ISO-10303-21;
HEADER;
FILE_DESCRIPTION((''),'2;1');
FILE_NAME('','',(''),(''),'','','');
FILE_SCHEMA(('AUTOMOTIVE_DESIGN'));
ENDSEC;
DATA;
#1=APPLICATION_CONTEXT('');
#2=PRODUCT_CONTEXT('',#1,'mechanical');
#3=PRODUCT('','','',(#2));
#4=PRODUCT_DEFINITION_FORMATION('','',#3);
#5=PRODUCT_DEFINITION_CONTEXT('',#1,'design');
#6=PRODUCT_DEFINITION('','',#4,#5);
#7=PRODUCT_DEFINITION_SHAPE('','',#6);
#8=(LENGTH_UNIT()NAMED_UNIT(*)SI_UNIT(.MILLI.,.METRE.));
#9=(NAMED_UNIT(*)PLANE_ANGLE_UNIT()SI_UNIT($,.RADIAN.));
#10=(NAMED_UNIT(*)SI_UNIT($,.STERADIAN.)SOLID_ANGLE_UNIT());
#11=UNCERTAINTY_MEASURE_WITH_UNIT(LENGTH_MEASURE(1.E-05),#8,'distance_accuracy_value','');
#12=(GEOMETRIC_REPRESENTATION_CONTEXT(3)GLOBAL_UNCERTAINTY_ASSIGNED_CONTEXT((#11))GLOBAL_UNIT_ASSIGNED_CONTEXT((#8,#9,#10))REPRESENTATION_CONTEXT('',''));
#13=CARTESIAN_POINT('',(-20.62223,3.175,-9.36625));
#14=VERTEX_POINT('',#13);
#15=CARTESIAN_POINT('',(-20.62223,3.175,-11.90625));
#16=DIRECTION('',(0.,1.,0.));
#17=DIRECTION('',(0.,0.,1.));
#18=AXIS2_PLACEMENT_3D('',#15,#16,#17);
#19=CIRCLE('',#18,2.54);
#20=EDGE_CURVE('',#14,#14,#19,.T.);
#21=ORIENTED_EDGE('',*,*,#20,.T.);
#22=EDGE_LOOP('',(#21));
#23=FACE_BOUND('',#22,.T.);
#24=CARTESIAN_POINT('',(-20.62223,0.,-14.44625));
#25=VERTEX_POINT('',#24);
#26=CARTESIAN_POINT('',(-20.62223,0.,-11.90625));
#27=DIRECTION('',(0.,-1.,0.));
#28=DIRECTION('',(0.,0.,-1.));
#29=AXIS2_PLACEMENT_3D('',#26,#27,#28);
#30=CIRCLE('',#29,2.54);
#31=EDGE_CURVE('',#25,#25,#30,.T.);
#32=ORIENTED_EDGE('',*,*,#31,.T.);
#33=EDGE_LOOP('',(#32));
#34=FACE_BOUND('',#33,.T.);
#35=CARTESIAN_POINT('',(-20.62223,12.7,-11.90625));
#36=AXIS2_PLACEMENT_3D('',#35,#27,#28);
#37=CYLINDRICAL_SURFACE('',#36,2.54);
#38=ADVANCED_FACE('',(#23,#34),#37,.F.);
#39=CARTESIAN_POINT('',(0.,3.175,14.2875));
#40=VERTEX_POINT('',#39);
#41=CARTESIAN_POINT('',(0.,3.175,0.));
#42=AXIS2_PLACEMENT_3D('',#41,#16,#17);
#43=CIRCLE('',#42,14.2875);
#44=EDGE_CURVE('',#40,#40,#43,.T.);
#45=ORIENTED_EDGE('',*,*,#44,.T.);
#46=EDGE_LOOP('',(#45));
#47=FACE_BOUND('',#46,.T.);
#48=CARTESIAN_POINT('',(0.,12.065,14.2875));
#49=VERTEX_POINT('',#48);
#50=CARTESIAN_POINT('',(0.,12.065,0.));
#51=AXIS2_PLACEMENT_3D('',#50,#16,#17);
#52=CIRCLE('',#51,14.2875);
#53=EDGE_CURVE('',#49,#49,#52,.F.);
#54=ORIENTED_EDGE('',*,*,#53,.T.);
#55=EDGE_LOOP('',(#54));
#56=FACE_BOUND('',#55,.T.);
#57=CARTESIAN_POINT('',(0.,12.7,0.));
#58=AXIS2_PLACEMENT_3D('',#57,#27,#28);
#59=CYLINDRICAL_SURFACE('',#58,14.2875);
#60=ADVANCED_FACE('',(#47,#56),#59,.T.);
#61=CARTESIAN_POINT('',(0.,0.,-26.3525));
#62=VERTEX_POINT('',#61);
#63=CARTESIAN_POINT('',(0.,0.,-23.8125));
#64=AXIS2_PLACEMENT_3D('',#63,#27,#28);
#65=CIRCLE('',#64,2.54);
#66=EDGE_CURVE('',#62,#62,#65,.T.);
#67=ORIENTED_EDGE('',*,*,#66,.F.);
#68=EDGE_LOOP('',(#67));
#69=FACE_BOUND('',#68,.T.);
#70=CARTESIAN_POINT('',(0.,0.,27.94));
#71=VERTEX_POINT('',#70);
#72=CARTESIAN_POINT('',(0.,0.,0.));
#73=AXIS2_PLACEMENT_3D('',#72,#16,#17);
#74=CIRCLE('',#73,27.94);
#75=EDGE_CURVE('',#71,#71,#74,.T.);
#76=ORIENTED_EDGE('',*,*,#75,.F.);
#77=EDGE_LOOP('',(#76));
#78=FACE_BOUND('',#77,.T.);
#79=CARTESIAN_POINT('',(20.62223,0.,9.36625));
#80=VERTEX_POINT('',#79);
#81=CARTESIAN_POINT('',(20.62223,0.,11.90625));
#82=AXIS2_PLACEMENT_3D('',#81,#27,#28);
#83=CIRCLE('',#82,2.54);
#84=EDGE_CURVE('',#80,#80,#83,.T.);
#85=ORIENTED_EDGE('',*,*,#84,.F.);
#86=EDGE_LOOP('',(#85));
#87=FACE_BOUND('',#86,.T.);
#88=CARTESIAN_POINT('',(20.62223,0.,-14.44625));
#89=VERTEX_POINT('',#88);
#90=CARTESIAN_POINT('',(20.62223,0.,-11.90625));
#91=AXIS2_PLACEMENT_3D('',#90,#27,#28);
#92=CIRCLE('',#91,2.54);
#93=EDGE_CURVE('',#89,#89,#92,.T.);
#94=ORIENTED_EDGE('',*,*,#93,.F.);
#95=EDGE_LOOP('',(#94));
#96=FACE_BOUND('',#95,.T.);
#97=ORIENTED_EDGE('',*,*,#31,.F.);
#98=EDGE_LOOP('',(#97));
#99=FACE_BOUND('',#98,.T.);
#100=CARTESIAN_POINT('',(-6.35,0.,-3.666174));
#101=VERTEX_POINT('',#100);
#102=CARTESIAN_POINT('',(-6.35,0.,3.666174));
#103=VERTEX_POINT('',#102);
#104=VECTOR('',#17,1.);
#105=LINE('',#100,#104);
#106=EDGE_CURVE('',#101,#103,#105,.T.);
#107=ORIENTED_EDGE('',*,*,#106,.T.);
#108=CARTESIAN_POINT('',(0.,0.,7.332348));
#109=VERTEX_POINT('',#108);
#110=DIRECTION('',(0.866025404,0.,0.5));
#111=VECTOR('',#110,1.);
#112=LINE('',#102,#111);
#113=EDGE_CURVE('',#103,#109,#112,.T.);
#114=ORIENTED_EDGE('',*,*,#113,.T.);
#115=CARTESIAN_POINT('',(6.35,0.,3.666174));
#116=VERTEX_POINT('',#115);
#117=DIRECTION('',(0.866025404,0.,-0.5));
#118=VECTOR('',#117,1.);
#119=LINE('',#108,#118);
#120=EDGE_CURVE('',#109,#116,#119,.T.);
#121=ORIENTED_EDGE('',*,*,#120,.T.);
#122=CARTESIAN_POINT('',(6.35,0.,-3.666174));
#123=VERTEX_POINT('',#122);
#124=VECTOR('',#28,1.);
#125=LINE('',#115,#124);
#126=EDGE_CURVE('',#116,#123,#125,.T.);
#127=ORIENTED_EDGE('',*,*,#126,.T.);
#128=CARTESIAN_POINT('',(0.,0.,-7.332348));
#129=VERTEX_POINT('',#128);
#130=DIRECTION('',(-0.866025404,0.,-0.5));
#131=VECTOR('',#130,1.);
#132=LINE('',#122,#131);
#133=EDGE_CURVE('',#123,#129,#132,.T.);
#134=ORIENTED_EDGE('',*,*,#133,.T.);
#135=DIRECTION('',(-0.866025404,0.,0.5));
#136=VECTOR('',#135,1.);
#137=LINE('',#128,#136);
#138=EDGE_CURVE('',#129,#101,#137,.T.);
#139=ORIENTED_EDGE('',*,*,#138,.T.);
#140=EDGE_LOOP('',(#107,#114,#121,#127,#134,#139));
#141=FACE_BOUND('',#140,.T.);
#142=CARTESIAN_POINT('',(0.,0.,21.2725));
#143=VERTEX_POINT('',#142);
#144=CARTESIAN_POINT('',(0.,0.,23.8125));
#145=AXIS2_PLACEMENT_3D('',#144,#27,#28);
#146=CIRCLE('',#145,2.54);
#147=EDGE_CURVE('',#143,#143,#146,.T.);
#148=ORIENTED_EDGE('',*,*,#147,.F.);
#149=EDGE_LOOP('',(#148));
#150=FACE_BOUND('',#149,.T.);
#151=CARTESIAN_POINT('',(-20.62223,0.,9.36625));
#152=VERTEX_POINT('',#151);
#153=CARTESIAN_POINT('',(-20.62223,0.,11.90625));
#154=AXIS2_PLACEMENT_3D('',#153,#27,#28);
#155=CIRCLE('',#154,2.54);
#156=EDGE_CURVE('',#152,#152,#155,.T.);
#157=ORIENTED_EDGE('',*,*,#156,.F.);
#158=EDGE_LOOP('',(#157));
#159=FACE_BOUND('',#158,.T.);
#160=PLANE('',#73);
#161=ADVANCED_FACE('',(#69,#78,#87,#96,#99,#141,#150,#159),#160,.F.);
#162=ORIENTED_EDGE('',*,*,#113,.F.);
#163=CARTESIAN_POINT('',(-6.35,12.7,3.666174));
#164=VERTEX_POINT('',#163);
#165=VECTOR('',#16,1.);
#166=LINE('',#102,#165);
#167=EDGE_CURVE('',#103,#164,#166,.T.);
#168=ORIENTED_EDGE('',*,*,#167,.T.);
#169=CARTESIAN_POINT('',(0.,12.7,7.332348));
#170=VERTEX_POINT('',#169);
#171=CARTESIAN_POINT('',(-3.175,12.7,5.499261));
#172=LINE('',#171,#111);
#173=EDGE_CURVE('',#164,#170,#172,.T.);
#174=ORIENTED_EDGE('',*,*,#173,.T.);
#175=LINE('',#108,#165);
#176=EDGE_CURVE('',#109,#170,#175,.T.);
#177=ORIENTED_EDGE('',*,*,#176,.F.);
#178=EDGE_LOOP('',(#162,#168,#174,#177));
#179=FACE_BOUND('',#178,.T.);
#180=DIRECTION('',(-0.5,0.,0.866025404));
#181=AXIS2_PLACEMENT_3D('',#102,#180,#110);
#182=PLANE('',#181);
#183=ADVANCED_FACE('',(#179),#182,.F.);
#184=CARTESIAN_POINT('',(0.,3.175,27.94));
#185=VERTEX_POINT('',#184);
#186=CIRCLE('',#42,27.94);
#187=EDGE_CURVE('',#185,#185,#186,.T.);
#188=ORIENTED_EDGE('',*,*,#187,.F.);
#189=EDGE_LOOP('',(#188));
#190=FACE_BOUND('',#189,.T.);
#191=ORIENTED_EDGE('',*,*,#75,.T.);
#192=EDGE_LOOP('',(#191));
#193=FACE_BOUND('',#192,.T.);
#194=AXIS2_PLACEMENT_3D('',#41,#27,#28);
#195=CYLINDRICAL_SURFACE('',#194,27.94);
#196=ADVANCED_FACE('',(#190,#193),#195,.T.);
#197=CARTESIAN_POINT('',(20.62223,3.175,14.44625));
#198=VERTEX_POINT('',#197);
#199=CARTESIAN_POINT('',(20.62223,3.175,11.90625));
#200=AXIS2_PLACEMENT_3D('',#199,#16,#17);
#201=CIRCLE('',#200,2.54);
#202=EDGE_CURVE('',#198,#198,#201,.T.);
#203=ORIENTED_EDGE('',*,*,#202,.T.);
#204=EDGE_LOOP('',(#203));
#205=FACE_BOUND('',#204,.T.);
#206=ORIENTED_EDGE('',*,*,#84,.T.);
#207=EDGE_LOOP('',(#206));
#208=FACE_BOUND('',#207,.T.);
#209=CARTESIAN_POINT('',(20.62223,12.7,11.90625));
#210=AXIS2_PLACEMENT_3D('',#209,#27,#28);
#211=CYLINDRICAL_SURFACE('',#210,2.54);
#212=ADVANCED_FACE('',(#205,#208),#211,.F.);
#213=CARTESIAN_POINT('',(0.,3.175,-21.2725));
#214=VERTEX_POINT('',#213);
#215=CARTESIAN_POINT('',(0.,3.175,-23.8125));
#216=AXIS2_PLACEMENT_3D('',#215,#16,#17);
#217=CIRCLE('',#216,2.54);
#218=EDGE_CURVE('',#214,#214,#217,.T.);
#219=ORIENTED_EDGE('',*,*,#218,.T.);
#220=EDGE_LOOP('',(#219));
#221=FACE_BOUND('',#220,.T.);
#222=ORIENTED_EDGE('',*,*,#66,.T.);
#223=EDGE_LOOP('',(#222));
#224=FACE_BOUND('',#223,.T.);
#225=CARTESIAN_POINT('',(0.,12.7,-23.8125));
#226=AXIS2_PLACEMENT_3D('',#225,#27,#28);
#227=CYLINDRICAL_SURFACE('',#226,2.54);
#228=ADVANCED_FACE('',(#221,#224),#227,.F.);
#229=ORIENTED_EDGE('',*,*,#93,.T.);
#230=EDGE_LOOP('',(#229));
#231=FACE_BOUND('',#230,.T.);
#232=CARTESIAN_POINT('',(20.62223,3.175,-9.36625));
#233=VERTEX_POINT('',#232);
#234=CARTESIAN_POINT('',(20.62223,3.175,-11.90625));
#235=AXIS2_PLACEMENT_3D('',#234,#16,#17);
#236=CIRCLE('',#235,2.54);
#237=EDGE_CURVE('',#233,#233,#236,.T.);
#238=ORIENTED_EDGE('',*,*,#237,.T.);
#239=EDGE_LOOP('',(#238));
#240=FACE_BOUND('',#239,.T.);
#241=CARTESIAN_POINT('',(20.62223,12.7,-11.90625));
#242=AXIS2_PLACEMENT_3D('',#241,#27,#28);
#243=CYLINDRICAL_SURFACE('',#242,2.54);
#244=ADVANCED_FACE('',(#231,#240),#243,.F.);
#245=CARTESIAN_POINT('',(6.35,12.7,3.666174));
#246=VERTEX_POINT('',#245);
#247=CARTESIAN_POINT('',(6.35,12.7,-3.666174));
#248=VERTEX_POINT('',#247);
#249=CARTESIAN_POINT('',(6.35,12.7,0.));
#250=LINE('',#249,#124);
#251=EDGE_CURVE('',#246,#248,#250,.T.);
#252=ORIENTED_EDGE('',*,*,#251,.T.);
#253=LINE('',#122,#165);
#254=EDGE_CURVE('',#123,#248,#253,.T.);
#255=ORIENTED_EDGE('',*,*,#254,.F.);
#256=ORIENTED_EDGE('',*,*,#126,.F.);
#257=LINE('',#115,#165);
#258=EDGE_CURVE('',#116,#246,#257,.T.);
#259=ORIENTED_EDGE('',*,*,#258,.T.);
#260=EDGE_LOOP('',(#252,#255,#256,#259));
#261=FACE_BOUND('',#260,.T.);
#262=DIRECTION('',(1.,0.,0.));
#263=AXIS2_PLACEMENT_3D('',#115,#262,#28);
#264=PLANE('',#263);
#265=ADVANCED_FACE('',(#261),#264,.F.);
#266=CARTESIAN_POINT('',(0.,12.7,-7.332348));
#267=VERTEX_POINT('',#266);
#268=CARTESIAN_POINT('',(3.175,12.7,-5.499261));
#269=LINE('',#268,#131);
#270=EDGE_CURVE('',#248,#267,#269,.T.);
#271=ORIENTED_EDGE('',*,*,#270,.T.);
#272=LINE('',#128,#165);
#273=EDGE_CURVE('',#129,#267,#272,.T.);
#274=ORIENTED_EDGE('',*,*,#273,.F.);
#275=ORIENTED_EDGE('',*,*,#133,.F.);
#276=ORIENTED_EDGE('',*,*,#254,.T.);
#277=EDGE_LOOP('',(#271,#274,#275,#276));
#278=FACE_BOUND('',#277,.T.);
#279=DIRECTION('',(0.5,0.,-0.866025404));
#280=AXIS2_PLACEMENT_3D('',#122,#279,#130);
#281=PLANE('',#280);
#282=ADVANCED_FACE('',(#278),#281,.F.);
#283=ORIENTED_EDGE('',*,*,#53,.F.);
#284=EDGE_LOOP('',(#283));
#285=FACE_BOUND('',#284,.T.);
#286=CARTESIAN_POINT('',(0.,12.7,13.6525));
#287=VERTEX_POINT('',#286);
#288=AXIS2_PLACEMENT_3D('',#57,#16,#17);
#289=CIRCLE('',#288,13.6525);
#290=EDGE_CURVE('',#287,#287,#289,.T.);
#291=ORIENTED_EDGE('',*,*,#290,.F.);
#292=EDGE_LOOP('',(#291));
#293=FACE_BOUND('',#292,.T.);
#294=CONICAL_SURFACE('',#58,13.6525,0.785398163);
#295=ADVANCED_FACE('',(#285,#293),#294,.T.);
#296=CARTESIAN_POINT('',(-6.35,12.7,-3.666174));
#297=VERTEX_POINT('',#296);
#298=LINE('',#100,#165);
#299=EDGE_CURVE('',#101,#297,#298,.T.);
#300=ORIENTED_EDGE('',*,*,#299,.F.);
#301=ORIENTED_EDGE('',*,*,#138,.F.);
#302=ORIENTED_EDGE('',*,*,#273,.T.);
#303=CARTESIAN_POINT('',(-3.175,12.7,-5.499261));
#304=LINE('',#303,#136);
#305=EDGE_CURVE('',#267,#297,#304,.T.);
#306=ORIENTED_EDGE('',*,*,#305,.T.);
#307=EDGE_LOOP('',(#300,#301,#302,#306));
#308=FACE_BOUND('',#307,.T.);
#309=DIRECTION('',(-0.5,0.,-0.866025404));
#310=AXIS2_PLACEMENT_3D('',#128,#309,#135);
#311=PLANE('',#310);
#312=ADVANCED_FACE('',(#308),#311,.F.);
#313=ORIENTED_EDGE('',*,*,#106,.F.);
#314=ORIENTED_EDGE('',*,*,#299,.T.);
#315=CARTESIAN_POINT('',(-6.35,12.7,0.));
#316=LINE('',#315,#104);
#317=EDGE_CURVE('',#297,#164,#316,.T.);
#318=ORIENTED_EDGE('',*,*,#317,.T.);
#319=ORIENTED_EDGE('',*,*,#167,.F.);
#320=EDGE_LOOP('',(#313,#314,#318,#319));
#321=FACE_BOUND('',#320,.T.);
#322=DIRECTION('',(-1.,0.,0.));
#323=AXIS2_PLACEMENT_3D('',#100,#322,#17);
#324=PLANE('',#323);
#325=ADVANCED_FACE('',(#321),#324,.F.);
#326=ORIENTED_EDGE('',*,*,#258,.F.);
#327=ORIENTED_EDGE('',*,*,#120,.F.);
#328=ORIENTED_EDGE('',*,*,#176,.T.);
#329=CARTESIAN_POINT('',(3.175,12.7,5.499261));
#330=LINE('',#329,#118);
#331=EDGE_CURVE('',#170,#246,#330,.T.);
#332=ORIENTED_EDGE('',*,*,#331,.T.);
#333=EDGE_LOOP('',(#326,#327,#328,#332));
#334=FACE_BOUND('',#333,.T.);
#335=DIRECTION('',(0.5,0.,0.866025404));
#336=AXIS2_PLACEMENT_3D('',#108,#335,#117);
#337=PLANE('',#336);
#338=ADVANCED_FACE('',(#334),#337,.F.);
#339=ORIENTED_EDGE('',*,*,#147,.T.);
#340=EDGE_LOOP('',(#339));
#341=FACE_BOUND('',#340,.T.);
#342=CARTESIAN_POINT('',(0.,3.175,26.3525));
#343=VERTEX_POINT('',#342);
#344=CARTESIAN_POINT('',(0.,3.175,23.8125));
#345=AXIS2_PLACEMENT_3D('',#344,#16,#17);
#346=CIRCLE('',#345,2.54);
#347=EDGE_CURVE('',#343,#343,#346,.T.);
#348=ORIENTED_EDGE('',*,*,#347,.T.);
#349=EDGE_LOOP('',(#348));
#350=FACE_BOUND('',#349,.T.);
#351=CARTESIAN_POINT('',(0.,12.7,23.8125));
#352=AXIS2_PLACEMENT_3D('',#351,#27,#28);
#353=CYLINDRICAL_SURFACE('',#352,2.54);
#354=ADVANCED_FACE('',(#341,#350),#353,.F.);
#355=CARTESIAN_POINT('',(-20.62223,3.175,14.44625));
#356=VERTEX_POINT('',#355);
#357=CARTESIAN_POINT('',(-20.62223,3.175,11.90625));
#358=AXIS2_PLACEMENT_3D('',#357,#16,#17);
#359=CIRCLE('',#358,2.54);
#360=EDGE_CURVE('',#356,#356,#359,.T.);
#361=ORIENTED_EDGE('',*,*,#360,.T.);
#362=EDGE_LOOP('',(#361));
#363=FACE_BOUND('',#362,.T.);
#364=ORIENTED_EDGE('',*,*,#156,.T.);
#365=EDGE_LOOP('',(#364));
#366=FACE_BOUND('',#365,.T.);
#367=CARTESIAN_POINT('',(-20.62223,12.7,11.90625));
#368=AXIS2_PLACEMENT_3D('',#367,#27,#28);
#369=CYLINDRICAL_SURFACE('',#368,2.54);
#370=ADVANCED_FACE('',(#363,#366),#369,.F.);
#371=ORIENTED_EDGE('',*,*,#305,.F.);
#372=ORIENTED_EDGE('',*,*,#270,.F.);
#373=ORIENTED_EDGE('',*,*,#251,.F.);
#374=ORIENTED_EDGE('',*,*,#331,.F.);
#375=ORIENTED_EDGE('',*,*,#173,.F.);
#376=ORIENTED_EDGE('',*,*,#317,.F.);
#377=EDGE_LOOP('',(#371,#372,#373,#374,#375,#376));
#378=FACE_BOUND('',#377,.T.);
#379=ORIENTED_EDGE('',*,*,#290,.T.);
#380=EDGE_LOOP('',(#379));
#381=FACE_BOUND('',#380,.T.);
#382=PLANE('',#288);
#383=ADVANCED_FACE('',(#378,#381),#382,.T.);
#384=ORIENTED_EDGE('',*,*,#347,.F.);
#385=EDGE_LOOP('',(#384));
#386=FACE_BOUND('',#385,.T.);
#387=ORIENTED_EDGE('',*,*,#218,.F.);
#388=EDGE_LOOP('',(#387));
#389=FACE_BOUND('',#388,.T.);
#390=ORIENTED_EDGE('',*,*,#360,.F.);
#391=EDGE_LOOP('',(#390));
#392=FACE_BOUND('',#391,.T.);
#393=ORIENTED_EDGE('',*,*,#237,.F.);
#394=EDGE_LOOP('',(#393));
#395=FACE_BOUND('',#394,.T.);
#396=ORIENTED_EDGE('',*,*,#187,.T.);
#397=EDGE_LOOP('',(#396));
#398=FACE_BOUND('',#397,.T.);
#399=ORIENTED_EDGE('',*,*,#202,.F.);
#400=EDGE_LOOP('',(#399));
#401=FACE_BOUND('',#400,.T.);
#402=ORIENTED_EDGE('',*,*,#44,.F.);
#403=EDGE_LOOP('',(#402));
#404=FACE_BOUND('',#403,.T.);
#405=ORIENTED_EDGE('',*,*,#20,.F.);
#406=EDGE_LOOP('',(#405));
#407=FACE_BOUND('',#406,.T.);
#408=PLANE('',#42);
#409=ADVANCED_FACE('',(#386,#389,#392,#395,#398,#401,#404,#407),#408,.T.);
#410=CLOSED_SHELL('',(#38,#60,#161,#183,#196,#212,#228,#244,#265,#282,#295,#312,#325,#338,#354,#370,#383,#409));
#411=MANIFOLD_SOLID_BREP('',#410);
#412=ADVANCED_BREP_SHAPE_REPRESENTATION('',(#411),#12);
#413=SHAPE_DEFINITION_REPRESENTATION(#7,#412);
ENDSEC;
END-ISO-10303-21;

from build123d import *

# Parameters (mm, degrees)
SKETCH1_R               = 27.94
BOSS_EXTRUDE1_DEPTH     = 3.175
SKETCH2_R               = 14.2875
BOSS_EXTRUDE2_DEPTH     = 9.525
CHAMFER1_SIZE           = 0.635
CUT_EXTRUDE2_DEPTH      = 1
CUT_EXTRUDE2_DEPTH_BACK = 13.7
SKETCH4_R               = 2.54
CUT_EXTRUDE3_DEPTH      = 13.7


with BuildPart() as part:
    # Sketch1 → Boss-Extrude1 (new body)
    with BuildSketch(Plane(origin=(0, 0, 0), x_dir=(1, 0, 0), z_dir=(0, 1, 0))):
        Circle(SKETCH1_R)
    extrude(amount=BOSS_EXTRUDE1_DEPTH)

    # Sketch2 → Boss-Extrude2 (add)
    with BuildSketch(Plane(origin=(0, 3.175, 0), x_dir=(1, 0, 0), z_dir=(0, 1, 0))):
        Circle(SKETCH2_R)
    extrude(amount=BOSS_EXTRUDE2_DEPTH)

    # Chamfer1
    chamfer1_edges = [part.edges().sort_by_distance(p)[0] for p in [
        (-14.2875, 12.7, 0),
    ]]
    chamfer(chamfer1_edges, length=CHAMFER1_SIZE)

    # Sketch3 → Cut-Extrude2 (cut, two sides)
    with BuildSketch(Plane(origin=(0, 12.7, 0), x_dir=(1, 0, 0), z_dir=(0, 1, 0))) as cut_extrude2_sk:
        Polygon((6.35, 3.666174209), (0, 7.332348419), (-6.35, 3.666174209), (-6.35, -3.666174209), (0, -7.332348419), (6.35, -3.666174209), align=None)
    extrude(amount=CUT_EXTRUDE2_DEPTH, mode=Mode.SUBTRACT)
    extrude(cut_extrude2_sk.sketch, amount=-CUT_EXTRUDE2_DEPTH_BACK, mode=Mode.SUBTRACT)

    # Sketch4 → Cut-Extrude3 (cut, through all)
    with BuildSketch(Plane.XZ):
        with Locations((0, 23.8125)):
            Circle(SKETCH4_R)
        with Locations((20.622229928, 11.90625)):
            Circle(SKETCH4_R)
        with Locations((20.622229928, -11.90625)):
            Circle(SKETCH4_R)
        with Locations((0, -23.8125)):
            Circle(SKETCH4_R)
        with Locations((-20.622229928, -11.90625)):
            Circle(SKETCH4_R)
        with Locations((-20.622229928, 11.90625)):
            Circle(SKETCH4_R)
    extrude(amount=-CUT_EXTRUDE3_DEPTH, mode=Mode.SUBTRACT)


solid = part.part
